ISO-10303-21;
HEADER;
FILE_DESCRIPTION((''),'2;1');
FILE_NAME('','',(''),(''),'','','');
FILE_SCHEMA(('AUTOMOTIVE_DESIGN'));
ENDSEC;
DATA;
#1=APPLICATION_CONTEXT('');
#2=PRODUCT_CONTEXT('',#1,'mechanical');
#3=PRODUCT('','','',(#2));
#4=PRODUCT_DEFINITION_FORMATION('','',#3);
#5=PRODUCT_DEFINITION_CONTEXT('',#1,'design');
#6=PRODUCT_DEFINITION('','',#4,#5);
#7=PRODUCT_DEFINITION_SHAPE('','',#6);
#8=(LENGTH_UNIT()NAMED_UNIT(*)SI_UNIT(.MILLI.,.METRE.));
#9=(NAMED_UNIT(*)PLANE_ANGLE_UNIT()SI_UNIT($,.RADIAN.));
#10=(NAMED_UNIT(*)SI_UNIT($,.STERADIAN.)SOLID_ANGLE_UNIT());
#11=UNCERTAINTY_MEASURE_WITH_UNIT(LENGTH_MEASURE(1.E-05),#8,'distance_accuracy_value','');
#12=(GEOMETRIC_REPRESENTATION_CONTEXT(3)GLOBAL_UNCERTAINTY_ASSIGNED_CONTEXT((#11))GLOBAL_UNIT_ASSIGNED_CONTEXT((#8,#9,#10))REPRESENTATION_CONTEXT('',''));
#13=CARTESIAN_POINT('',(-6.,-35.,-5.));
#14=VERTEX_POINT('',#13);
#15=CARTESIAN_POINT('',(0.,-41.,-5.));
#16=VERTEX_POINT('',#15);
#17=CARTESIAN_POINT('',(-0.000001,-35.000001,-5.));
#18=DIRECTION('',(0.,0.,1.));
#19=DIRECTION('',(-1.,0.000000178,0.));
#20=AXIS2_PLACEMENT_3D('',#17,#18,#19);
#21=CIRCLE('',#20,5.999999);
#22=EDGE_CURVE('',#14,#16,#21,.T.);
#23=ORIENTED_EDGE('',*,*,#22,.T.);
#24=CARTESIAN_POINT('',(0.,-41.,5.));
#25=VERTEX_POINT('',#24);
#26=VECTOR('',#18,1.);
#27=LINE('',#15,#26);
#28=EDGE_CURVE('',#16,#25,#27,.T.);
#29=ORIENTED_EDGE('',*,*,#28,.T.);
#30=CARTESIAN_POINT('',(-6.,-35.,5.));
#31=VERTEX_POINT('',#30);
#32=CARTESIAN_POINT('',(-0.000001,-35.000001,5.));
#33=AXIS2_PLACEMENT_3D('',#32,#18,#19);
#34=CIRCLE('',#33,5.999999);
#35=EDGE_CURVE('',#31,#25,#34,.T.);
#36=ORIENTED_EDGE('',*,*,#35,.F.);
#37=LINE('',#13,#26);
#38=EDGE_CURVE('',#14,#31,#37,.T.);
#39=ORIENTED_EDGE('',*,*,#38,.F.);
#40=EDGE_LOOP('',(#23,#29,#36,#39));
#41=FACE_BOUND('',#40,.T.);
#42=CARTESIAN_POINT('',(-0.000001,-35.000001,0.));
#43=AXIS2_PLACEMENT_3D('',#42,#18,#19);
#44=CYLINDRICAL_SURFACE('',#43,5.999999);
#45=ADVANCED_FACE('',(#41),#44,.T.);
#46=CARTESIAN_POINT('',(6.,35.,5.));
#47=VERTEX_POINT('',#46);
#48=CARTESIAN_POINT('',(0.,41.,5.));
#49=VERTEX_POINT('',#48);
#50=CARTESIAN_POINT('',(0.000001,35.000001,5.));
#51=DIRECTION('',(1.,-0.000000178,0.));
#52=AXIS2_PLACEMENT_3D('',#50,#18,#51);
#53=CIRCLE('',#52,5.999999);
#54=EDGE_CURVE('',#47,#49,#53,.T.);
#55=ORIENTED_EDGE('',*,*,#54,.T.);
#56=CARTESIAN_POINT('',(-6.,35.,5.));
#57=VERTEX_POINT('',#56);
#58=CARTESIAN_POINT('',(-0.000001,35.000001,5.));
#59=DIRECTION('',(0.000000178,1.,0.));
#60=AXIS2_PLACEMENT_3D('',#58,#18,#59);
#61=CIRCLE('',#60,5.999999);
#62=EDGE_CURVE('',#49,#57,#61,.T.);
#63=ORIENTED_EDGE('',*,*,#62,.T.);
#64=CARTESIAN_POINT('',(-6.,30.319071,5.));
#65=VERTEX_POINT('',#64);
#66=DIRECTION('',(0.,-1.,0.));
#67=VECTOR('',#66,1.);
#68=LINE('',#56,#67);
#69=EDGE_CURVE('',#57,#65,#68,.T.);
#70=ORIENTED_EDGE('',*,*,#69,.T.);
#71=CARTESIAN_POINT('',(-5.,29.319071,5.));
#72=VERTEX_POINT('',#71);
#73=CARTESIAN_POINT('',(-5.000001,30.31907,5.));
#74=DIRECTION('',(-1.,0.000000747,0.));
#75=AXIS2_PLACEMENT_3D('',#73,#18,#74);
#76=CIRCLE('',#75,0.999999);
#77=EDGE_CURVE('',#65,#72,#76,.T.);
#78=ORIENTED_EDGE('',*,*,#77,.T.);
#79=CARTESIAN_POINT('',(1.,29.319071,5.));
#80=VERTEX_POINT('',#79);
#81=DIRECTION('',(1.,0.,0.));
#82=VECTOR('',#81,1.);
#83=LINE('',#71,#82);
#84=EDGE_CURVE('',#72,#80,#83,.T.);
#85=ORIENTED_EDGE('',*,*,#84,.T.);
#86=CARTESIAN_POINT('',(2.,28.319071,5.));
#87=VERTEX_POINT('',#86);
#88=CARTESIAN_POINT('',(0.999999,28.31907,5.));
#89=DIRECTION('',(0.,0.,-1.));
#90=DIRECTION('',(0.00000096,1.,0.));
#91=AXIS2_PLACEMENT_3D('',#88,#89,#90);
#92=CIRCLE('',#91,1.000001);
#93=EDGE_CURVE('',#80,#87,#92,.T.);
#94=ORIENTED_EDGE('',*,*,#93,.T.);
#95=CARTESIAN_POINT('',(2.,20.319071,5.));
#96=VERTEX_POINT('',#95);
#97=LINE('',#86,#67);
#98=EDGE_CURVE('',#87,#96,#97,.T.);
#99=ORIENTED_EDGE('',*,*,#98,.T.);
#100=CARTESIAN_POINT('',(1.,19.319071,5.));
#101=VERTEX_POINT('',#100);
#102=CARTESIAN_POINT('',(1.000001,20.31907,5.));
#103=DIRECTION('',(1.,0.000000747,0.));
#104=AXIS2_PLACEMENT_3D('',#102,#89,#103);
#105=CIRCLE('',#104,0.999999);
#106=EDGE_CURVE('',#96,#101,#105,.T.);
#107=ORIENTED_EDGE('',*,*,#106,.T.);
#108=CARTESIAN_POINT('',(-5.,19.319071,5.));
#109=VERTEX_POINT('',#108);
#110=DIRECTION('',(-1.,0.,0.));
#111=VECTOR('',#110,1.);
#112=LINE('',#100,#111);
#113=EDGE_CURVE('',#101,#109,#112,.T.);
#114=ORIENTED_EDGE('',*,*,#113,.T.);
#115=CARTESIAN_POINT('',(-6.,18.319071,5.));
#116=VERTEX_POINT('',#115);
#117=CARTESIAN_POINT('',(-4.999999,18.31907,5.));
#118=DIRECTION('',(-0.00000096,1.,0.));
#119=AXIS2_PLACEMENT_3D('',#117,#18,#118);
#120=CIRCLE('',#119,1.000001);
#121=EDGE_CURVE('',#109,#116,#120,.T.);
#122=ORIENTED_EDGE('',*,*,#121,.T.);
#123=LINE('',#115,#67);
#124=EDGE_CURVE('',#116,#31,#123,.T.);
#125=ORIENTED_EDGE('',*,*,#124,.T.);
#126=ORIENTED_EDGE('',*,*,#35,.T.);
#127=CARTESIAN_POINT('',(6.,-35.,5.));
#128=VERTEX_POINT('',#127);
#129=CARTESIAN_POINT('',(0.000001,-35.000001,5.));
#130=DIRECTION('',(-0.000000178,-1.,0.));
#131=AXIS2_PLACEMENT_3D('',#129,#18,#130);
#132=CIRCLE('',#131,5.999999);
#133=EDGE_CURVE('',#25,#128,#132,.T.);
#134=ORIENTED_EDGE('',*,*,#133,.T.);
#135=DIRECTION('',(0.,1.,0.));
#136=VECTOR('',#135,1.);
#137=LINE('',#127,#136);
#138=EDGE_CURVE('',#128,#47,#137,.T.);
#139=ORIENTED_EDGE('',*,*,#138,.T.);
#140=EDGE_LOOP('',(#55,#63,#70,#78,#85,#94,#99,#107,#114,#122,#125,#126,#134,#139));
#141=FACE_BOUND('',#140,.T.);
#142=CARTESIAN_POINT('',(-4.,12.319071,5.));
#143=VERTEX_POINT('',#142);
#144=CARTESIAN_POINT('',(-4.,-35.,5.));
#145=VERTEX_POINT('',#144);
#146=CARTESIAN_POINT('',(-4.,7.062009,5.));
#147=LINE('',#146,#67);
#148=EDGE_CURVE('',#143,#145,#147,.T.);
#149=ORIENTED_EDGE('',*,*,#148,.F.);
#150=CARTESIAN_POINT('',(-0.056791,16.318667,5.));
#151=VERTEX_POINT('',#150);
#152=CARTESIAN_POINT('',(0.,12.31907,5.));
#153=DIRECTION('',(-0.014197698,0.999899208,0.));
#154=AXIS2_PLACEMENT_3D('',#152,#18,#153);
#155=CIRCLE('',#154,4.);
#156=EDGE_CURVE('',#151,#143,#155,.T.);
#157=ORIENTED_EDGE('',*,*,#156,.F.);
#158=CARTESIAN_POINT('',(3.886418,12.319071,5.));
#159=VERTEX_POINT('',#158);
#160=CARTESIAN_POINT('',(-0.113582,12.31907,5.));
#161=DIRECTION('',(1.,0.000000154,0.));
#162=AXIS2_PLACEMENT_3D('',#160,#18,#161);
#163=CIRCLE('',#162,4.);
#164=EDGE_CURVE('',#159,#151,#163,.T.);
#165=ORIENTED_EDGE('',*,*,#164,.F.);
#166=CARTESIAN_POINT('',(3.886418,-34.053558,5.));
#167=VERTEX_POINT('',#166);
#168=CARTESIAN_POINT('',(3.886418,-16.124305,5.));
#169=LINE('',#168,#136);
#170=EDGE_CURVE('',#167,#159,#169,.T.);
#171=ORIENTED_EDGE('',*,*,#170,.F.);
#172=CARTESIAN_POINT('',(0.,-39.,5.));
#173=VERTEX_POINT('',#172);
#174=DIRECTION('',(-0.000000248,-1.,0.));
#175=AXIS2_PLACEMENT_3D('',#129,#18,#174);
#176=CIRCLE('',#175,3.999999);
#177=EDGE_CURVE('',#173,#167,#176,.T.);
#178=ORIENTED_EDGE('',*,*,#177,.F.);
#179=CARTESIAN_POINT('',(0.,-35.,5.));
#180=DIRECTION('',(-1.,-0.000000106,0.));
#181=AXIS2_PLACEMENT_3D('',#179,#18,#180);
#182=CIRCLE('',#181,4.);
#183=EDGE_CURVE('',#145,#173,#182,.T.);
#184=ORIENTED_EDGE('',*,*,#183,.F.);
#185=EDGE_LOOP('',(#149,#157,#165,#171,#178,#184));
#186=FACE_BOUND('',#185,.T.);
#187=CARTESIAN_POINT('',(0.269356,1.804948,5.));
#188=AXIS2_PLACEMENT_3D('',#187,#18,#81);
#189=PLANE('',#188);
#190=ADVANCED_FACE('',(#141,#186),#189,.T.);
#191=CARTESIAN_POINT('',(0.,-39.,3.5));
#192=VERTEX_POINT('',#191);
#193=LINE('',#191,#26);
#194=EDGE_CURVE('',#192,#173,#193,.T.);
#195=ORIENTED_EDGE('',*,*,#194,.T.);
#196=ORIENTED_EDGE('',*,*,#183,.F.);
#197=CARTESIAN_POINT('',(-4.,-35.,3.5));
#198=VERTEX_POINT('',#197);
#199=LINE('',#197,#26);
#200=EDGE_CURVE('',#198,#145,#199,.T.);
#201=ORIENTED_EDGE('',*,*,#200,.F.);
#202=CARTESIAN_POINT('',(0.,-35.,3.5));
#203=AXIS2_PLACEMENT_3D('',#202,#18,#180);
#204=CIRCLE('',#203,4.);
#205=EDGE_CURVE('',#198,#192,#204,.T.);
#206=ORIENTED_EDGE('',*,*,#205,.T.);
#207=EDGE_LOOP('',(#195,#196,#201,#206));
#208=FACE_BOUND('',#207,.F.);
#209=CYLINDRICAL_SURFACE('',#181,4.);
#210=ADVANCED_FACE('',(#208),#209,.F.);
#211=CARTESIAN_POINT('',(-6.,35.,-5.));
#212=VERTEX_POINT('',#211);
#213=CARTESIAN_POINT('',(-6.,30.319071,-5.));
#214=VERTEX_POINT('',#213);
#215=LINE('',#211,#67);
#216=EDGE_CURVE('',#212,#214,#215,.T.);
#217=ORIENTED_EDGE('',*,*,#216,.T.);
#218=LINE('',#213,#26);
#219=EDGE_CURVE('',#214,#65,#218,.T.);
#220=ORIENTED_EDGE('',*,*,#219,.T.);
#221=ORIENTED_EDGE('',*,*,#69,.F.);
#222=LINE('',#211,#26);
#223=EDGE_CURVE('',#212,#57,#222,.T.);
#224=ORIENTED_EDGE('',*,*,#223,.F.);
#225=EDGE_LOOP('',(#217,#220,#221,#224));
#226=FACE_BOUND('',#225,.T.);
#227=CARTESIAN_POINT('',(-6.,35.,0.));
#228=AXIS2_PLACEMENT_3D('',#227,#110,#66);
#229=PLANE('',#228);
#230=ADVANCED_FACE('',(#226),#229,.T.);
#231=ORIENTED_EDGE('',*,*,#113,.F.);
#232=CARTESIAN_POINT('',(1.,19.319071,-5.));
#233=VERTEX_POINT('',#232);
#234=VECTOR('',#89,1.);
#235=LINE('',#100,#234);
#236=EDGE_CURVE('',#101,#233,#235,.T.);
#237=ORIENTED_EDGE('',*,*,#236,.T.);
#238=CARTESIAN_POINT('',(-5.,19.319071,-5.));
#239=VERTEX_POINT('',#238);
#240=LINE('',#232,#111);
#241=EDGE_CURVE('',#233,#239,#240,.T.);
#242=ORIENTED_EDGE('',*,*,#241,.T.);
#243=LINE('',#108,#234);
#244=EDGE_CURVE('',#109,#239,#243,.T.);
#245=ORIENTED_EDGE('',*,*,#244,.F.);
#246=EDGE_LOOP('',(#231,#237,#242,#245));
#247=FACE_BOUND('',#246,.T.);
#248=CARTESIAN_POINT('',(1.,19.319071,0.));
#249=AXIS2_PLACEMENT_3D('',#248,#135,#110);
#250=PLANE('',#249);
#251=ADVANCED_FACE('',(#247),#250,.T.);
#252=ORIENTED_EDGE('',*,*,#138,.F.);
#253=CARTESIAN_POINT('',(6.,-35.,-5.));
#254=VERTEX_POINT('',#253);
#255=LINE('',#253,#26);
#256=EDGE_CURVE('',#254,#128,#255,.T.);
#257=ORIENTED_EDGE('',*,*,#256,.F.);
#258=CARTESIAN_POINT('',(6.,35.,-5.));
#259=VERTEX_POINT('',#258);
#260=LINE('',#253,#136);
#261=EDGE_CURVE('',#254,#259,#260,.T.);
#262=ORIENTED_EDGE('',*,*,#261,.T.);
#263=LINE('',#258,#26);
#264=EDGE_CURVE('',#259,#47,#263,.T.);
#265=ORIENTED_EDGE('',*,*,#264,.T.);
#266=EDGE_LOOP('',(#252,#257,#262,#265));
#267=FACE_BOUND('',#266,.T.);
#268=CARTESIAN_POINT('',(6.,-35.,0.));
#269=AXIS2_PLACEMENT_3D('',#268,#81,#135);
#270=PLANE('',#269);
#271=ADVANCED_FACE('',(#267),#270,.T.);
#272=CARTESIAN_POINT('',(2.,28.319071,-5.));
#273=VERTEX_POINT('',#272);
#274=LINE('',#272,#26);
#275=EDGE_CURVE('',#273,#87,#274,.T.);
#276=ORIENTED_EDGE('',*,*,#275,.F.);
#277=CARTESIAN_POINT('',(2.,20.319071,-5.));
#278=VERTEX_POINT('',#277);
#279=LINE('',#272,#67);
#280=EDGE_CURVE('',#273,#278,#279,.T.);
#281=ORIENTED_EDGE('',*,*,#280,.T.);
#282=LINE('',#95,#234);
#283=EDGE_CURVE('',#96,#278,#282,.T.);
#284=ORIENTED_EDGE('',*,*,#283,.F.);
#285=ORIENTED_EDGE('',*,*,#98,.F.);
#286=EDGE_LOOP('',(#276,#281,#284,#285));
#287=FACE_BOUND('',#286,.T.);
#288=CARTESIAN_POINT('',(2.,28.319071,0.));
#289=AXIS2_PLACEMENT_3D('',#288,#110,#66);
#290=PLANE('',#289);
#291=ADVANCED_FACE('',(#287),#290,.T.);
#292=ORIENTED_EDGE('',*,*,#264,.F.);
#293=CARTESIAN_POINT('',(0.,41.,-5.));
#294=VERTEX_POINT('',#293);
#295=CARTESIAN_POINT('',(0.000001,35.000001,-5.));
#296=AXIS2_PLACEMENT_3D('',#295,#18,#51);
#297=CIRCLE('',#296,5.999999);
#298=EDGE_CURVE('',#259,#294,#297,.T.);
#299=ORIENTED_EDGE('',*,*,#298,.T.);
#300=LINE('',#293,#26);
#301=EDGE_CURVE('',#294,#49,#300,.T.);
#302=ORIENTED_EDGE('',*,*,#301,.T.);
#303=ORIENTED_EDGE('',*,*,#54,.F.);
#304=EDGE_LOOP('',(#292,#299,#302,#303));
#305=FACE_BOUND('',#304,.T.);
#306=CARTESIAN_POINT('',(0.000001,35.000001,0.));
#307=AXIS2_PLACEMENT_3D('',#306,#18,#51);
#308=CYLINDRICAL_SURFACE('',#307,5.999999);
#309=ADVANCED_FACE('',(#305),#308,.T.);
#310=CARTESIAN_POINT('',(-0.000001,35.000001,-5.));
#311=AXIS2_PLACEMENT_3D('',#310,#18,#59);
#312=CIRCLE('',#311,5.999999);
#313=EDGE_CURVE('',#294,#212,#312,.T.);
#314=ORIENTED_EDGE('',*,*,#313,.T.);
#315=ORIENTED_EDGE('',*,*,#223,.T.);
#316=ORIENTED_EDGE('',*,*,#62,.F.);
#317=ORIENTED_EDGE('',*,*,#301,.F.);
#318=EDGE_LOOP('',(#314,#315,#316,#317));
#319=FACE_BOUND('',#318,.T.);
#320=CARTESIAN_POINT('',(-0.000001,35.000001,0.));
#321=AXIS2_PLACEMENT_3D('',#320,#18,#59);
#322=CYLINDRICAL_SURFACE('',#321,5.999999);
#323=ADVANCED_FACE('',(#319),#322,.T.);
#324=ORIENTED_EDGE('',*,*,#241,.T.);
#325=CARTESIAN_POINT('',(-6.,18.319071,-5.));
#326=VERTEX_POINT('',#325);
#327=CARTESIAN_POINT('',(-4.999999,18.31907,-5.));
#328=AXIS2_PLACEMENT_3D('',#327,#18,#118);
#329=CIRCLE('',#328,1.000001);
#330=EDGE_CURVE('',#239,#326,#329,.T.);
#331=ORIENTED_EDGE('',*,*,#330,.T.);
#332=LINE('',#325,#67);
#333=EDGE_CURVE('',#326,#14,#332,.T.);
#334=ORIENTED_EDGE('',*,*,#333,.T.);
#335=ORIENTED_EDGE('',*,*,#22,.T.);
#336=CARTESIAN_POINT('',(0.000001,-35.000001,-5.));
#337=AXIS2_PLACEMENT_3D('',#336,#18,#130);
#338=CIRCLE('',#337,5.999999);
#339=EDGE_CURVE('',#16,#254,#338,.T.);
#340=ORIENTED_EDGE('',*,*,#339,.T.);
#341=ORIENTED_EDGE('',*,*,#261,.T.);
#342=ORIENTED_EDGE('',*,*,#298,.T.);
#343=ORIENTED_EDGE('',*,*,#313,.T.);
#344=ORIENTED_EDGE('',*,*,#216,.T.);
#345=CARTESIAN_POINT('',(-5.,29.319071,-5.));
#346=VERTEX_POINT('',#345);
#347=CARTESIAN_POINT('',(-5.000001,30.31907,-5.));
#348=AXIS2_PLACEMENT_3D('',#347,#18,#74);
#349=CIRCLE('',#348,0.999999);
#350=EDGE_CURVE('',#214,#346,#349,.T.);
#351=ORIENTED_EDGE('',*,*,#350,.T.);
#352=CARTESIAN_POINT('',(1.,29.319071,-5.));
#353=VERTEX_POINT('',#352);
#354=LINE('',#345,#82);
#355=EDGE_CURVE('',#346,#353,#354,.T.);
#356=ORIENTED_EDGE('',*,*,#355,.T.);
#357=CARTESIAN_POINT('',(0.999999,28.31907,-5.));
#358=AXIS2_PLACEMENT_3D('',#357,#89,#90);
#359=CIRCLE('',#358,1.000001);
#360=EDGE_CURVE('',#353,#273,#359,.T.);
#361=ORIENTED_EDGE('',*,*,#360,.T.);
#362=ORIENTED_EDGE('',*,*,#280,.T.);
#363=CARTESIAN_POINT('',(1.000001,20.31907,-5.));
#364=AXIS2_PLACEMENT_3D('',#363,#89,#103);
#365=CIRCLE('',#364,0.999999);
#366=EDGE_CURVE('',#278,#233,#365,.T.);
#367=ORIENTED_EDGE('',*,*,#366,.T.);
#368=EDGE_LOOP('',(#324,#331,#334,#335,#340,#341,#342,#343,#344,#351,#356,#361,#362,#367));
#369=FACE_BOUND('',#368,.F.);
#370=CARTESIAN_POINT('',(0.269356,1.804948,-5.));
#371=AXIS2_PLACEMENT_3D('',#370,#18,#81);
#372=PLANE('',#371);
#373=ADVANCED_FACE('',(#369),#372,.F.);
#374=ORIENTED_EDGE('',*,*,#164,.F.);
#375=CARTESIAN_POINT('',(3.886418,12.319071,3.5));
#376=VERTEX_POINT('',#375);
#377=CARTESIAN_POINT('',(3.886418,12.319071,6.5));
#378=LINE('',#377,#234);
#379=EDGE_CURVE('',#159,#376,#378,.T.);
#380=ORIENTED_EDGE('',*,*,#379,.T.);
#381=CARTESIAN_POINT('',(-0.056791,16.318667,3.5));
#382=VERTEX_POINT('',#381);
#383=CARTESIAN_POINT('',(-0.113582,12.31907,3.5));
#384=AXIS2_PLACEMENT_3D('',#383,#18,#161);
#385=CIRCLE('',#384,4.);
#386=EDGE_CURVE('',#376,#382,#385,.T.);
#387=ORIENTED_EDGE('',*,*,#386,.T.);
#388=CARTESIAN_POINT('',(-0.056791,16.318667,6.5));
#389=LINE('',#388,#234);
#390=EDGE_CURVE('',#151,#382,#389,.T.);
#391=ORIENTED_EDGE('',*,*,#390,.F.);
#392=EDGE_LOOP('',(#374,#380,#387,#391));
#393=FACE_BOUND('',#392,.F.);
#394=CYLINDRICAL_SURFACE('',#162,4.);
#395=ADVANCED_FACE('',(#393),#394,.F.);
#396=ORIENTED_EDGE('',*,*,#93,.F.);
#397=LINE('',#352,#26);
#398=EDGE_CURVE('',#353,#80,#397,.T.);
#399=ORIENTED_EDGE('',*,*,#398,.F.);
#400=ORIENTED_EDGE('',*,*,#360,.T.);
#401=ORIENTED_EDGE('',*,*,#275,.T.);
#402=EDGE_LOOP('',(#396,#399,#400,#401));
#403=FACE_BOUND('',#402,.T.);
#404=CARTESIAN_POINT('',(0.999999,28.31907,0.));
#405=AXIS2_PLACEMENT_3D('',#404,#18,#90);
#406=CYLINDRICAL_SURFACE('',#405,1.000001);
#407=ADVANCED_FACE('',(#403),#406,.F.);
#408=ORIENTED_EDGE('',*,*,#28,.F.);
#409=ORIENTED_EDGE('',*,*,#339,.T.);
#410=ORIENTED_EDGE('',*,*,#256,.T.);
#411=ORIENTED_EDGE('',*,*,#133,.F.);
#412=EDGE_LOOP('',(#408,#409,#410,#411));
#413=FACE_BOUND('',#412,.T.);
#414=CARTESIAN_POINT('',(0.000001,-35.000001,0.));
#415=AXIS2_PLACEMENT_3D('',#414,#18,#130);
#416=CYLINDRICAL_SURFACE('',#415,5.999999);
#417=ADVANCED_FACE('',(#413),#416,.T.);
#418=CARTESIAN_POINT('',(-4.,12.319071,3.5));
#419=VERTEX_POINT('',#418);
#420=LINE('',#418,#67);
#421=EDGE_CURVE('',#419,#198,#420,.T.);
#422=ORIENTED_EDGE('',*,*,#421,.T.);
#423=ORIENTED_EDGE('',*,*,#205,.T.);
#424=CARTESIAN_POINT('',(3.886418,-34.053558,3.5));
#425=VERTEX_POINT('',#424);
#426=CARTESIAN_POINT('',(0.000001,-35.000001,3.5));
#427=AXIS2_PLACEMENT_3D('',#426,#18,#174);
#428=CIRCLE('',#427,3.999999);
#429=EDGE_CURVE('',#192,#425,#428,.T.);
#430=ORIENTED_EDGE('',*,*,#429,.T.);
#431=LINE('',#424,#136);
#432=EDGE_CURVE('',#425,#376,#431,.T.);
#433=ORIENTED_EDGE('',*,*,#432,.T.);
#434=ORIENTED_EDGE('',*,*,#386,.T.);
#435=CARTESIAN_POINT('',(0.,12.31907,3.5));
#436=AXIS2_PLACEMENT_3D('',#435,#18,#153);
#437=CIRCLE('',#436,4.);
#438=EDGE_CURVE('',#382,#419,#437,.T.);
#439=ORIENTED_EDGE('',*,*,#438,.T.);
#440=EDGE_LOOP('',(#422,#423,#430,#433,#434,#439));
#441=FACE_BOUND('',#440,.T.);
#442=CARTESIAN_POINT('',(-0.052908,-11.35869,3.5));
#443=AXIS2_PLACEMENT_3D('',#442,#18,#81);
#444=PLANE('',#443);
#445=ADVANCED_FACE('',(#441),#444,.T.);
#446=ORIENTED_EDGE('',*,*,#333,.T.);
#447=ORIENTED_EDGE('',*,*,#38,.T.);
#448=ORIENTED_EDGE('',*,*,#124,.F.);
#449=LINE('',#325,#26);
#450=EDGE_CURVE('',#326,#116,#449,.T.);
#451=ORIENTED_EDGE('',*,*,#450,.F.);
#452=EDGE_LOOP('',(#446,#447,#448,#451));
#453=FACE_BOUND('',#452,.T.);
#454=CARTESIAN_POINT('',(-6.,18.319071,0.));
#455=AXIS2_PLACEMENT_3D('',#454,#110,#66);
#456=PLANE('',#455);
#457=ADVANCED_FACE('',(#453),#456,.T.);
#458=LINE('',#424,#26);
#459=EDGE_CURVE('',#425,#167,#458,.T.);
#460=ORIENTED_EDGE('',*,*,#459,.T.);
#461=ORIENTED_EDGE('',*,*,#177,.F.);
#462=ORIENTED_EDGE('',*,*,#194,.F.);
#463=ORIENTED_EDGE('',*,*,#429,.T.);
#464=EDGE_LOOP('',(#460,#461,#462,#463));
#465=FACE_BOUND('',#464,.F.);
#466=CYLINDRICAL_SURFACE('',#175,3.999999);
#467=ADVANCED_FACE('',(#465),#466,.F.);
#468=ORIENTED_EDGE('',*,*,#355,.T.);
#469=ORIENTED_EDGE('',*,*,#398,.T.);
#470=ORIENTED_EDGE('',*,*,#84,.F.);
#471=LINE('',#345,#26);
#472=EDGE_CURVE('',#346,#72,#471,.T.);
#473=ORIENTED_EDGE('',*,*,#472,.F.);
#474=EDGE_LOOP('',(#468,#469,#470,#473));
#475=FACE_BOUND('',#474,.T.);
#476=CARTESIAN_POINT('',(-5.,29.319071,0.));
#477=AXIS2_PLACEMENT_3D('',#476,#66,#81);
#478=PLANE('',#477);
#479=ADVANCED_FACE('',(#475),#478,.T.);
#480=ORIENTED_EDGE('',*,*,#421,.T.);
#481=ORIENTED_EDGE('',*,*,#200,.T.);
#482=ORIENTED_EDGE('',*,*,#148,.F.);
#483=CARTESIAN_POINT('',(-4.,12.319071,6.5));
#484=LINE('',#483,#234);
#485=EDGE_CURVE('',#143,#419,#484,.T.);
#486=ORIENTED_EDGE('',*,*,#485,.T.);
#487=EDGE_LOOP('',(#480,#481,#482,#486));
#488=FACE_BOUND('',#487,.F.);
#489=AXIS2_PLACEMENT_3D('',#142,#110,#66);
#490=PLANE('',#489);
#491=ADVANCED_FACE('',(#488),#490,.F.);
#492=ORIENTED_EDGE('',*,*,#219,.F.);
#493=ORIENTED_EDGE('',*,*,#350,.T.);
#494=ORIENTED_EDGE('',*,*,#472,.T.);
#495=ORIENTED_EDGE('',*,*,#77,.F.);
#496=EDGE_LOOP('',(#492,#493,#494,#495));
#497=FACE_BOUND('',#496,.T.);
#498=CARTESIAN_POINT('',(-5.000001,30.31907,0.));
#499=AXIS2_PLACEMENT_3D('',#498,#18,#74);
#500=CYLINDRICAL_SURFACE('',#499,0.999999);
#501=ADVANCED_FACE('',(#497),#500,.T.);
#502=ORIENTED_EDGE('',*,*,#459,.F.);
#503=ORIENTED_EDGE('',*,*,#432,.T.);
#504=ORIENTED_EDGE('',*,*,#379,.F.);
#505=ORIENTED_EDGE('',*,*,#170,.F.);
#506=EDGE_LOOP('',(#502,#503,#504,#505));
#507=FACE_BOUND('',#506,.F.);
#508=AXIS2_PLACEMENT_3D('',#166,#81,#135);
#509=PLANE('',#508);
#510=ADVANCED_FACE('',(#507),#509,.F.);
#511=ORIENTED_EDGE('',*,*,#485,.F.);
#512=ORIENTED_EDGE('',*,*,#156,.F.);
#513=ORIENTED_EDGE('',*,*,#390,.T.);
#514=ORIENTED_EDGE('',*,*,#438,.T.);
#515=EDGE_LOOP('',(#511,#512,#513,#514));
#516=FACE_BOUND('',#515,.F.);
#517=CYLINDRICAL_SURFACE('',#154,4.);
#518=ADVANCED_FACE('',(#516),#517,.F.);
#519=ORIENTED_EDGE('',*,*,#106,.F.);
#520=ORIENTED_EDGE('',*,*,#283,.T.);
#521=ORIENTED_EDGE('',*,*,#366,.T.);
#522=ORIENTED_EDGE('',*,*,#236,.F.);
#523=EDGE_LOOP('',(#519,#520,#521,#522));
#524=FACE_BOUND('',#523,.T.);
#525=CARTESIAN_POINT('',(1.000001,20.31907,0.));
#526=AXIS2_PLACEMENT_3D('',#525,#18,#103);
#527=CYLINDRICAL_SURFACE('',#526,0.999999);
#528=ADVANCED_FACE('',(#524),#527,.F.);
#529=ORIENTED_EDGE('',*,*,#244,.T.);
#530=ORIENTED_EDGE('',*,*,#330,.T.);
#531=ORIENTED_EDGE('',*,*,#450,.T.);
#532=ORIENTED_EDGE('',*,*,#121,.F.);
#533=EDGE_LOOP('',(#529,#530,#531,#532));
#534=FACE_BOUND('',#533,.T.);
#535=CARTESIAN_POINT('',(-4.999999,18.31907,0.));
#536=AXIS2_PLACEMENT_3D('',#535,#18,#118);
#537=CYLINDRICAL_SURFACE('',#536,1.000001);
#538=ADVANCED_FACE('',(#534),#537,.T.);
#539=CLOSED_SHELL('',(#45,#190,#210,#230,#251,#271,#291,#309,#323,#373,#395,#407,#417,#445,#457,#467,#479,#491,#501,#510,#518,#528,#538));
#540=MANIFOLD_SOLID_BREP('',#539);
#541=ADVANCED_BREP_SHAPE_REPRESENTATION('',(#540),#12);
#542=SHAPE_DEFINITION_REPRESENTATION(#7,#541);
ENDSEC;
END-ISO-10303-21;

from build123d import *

# Parameters (mm, degrees)
F1_DEPTH = 5
F3_DEPTH = 1.5


with BuildPart() as f1:
    # F0 (on Top) → F1 (new body, symmetric)
    with BuildSketch(Plane.XY):
        with BuildLine():
            ThreePointArc((-5, 19.319071), (-5.707107, 19.026177), (-6, 18.319071))
            Line((-6, 18.319071), (-6, -35))
            ThreePointArc((-6, -35), (-4.242641, -39.242641), (0, -41))
            ThreePointArc((0, -41), (4.242641, -39.242641), (6, -35))
            Line((6, -35), (6, 35))
            ThreePointArc((6, 35), (4.242641, 39.242641), (0, 41))
            ThreePointArc((0, 41), (-4.242641, 39.242641), (-6, 35))
            Line((-6, 35), (-6, 30.319071))
            ThreePointArc((-6, 30.319071), (-5.707107, 29.611964), (-5, 29.319071))
            Line((-5, 29.319071), (1, 29.319071))
            ThreePointArc((1, 29.319071), (1.707107, 29.026177), (2, 28.319071))
            Line((2, 28.319071), (2, 20.319071))
            ThreePointArc((2, 20.319071), (1.707107, 19.611964), (1, 19.319071))
            Line((1, 19.319071), (-5, 19.319071))
        make_face()
    extrude(amount=F1_DEPTH, both=True)

    # F2 (on face) → F3 (cut, symmetric)
    with BuildSketch(Plane.XY.offset(5)):
        with BuildLine():
            Line((-4, 12.319071), (-4, -35))
            ThreePointArc((-4, -35), (-2.828427, -37.828427), (0, -39))
            ThreePointArc((0, -39), (3.145296, -37.471258), (3.886418, -34.053558))
            Line((3.886418, -34.053558), (3.886418, 12.319071))
            ThreePointArc((3.886418, 12.319071), (2.734853, 15.127347), (-0.056791, 16.318667))
            ThreePointArc((-0.056791, 16.318667), (-2.848435, 15.127347), (-4, 12.319071))
        make_face()
    extrude(amount=F3_DEPTH, both=True, mode=Mode.SUBTRACT)


solid = f1.part
